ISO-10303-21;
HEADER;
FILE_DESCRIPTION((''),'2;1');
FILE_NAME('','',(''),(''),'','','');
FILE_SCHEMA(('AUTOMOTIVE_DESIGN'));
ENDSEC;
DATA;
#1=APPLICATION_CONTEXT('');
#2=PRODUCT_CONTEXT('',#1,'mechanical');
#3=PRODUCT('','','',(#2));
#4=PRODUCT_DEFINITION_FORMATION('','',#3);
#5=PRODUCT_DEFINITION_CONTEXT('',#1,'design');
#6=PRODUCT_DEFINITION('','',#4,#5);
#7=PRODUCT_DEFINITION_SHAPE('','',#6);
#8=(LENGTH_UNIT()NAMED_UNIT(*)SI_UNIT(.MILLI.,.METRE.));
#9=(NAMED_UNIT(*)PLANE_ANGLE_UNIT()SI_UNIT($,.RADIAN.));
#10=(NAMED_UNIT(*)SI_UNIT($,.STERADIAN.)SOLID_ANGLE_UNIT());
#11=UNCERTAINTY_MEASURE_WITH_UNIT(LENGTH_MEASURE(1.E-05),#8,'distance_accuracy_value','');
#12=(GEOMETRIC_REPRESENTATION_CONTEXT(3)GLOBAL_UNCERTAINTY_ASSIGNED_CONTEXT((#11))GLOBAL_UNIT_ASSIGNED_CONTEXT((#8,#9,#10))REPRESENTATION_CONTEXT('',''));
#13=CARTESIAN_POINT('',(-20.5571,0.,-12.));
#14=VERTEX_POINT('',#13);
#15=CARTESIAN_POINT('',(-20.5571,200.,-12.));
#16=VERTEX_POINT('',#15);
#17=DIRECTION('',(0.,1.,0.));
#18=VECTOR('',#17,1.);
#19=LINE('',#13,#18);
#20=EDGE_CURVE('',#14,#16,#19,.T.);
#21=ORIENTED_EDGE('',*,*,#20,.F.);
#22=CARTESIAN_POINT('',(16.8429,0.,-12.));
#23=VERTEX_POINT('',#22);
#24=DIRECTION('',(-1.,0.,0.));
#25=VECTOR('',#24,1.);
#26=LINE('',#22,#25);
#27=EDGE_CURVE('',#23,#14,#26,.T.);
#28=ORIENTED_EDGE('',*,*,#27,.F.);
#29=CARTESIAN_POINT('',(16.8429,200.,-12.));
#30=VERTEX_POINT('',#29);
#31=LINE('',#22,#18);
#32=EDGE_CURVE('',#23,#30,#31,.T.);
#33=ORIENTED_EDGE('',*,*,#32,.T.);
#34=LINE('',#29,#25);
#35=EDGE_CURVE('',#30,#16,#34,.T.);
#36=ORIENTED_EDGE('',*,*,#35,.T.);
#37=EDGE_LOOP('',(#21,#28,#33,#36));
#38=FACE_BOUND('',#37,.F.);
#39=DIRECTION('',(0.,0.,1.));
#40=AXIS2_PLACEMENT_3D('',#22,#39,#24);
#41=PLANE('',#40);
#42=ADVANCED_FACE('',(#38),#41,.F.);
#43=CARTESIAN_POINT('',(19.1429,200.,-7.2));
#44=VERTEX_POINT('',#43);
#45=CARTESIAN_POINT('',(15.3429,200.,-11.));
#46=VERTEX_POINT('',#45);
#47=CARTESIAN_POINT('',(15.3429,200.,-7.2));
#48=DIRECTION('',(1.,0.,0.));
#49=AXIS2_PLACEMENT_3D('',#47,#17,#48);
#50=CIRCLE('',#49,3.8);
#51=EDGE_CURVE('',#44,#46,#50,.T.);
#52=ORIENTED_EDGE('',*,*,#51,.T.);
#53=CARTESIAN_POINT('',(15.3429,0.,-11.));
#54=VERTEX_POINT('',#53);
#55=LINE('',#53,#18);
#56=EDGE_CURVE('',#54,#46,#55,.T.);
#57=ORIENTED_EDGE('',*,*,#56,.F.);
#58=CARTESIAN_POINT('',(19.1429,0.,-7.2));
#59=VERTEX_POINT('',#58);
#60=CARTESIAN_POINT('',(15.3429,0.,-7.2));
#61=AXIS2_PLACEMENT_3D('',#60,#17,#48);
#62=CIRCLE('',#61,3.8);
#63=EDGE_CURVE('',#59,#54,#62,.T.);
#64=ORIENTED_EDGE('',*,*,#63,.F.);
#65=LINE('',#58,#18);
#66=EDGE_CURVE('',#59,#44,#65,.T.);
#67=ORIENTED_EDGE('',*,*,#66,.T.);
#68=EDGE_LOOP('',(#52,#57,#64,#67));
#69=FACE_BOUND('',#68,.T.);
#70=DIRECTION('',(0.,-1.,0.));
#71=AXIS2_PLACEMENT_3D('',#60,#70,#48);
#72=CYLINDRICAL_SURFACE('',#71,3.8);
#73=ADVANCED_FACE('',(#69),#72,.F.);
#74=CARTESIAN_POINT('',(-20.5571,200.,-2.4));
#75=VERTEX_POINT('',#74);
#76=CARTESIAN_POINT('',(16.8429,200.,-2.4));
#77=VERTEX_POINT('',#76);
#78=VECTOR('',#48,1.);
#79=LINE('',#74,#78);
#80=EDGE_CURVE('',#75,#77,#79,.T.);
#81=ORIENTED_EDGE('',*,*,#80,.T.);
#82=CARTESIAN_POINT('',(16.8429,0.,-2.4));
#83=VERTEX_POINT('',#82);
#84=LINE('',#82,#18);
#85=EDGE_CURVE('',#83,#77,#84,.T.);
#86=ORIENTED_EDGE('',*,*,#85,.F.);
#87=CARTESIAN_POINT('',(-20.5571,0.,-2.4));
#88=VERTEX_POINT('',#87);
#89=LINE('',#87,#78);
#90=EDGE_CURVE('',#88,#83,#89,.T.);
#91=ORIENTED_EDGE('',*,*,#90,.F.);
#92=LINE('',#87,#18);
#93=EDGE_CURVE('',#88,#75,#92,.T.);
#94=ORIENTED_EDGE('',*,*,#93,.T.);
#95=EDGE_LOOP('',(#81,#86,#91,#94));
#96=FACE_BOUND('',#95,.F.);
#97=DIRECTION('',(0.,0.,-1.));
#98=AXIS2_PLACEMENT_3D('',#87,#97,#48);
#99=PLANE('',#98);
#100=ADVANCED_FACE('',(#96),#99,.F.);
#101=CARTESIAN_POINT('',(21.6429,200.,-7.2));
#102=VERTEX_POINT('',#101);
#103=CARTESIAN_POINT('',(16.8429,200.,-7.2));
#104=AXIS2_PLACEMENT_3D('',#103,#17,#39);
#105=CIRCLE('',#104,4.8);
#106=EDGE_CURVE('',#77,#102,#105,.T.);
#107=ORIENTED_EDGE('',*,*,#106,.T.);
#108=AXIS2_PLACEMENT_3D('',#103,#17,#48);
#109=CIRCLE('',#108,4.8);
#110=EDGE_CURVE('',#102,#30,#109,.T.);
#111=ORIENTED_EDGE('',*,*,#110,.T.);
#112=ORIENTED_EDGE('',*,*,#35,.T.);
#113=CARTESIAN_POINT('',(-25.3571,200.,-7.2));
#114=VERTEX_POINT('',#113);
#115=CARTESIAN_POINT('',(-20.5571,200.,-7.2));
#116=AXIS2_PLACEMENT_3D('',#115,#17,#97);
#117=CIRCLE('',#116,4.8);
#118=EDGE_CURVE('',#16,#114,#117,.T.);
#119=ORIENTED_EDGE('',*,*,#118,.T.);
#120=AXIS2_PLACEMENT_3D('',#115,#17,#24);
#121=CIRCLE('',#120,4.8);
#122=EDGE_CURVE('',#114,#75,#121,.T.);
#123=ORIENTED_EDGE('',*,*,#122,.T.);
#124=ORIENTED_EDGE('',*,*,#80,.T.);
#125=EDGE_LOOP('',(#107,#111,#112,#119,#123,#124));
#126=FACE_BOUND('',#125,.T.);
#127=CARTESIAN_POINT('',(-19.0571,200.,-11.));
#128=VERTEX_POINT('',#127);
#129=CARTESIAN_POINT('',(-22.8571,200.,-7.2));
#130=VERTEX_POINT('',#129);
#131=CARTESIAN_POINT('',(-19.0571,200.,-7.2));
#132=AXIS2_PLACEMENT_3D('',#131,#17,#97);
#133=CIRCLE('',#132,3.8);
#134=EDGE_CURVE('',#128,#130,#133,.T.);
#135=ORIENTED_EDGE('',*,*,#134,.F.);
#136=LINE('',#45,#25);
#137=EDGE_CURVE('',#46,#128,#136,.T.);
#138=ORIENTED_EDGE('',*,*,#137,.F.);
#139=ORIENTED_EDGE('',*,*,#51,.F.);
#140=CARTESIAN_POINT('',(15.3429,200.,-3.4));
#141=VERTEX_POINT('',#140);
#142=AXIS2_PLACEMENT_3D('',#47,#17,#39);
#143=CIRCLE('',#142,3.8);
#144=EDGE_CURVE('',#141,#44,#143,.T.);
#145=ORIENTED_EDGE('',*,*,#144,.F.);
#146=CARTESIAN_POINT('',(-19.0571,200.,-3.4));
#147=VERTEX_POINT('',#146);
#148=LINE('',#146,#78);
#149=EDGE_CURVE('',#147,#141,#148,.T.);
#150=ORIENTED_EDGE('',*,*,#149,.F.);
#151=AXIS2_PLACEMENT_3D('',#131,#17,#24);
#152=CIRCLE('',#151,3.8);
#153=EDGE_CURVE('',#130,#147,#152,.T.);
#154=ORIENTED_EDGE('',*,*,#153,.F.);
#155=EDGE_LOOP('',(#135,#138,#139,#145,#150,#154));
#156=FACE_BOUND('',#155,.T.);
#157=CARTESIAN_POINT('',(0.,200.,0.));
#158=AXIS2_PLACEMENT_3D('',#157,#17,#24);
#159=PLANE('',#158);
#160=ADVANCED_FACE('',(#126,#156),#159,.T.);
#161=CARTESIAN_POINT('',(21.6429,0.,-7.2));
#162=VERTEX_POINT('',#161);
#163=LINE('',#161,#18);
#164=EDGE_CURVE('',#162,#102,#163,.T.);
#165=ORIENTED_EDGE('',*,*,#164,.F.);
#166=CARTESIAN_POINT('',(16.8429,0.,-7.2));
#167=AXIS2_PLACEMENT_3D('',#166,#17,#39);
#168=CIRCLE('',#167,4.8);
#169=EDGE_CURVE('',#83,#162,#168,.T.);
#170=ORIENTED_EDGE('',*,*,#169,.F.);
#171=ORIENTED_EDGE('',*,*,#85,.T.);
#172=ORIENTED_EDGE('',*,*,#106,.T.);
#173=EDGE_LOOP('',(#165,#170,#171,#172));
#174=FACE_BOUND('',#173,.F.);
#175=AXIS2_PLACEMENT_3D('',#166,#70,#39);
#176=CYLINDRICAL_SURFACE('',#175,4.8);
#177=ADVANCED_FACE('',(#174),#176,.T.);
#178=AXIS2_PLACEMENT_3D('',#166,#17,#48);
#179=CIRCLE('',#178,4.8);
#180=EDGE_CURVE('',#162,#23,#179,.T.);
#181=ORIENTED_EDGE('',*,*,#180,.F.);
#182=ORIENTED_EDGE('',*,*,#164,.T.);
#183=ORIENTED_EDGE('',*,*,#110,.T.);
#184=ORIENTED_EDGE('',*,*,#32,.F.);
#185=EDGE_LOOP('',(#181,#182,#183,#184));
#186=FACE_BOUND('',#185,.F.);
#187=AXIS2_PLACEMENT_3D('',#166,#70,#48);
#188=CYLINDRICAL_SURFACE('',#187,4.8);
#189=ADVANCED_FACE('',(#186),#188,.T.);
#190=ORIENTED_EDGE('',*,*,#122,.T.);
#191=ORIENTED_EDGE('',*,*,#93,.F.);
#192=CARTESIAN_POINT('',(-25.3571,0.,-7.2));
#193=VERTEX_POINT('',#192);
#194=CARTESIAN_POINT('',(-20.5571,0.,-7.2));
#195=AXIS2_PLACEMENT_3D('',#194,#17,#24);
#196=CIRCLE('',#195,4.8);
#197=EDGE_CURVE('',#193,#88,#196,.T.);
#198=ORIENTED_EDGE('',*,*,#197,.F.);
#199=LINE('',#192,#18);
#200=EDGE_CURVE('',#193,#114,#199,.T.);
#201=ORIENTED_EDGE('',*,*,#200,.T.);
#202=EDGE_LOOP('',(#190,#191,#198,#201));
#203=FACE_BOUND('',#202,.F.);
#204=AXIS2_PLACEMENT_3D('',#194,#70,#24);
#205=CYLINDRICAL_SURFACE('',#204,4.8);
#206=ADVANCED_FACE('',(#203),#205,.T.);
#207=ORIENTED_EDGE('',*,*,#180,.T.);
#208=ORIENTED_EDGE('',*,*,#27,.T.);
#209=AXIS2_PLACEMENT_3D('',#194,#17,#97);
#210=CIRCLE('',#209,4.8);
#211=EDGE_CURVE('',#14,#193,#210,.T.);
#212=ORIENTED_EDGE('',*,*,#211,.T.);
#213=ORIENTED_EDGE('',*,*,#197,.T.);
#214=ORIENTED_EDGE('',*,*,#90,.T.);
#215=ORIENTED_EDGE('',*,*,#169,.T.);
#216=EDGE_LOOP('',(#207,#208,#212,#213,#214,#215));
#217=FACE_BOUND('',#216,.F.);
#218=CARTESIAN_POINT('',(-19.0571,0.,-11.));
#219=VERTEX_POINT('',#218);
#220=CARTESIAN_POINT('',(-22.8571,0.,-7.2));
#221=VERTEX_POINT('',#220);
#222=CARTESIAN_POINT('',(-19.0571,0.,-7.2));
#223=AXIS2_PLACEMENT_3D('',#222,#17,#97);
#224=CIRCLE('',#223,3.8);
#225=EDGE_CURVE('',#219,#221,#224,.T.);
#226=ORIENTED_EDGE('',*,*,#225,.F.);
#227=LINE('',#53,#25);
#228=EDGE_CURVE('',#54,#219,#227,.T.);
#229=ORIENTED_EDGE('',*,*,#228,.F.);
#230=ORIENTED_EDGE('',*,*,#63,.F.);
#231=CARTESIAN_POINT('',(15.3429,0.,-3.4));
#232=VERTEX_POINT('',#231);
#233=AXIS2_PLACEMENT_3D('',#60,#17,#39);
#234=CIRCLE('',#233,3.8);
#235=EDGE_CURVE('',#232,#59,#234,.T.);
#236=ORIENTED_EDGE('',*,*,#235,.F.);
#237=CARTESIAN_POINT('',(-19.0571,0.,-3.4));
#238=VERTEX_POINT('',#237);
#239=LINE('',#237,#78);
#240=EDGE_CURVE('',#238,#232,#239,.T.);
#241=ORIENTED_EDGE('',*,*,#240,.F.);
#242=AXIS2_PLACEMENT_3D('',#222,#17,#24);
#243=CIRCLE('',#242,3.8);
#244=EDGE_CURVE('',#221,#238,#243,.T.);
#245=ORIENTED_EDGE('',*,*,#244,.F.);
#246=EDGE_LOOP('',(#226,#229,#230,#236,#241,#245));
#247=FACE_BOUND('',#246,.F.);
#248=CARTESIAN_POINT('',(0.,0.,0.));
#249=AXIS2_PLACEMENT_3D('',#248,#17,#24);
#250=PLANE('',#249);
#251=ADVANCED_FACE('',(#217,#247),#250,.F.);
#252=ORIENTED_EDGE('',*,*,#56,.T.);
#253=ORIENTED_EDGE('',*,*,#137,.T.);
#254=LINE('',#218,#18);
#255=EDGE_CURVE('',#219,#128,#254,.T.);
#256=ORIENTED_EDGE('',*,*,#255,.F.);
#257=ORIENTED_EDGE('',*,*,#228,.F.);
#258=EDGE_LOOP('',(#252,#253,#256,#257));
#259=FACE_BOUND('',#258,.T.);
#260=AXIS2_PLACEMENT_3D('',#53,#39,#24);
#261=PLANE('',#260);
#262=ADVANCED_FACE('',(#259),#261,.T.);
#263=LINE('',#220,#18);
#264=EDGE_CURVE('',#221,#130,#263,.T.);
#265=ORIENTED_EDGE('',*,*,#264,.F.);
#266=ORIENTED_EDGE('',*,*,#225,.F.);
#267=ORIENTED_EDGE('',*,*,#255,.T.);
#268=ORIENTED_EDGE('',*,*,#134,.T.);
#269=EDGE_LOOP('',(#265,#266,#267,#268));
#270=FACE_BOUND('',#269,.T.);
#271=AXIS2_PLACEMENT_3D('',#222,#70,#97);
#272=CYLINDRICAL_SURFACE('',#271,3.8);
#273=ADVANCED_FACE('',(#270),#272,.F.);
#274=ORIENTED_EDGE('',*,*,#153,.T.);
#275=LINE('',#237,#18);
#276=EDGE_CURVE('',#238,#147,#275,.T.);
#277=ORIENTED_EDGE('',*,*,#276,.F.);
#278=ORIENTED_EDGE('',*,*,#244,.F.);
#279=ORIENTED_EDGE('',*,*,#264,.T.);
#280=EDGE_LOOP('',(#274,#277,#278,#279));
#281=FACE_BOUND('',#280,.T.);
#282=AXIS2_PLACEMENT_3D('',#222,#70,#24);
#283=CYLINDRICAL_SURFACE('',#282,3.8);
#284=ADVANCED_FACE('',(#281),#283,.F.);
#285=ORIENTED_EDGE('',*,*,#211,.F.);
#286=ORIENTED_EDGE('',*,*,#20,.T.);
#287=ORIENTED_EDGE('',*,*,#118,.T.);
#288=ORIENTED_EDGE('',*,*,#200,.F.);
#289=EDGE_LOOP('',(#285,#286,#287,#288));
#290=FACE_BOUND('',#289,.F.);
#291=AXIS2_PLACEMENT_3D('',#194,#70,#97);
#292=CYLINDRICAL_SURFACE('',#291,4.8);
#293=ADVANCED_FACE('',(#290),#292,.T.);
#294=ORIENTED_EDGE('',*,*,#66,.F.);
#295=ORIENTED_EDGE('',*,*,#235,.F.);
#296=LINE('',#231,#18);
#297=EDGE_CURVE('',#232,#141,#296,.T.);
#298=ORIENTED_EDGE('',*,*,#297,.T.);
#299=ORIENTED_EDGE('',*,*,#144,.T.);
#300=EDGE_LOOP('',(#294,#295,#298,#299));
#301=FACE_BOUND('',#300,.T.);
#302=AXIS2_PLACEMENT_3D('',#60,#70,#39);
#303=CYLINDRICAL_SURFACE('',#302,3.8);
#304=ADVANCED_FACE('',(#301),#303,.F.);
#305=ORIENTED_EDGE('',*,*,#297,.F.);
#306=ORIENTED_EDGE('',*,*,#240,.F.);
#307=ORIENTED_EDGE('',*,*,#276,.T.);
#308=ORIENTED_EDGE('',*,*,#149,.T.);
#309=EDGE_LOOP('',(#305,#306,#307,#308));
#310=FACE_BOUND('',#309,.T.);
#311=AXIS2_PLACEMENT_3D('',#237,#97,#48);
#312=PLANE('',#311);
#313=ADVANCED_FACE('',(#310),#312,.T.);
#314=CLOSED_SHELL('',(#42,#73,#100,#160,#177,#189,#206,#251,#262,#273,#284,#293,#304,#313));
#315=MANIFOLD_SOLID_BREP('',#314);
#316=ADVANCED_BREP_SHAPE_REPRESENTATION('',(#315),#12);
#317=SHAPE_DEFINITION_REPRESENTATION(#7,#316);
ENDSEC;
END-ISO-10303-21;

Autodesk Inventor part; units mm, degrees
ref_plane "YZ Plane" through (0, 0, 0) normal (1, 0, 0) x (0, 1, 0)
ref_plane "XZ Plane" through (0, 0, 0) normal (0, 1, 0) x (-1, 0, 0)
sketch "Эскиз1" plane through (0, 0, 0) normal (0, 1, 0) x (-1, 0, 0)
  line L0 (20.5571, -2.4) -> (-16.8429, -2.4)
  line L1 (-21.6429, -7.2) -> (-21.6429, -7.2)
  line L2 (-16.8429, -12) -> (20.5571, -12)
  line L3 (25.3571, -7.2) -> (25.3571, -7.2)
  arc A0 (25.3571, -7.2) -> (20.5571, -2.4) centre (20.5571, -7.2) ccw
  arc A1 (20.5571, -12) -> (25.3571, -7.2) centre (20.5571, -7.2) ccw
  arc A2 (-16.8429, -2.4) -> (-21.6429, -7.2) centre (-16.8429, -7.2) ccw
  arc A3 (-21.6429, -7.2) -> (-16.8429, -12) centre (-16.8429, -7.2) ccw
  line L4 (19.0571, -3.4) -> (-15.3429, -3.4)
  line L5 (-19.1429, -7.2) -> (-19.1429, -7.2)
  line L6 (-15.3429, -11) -> (19.0571, -11)
  line L7 (22.8571, -7.2) -> (22.8571, -7.2)
  arc A4 (22.8571, -7.2) -> (19.0571, -3.4) centre (19.0571, -7.2) ccw
  arc A5 (19.0571, -11) -> (22.8571, -7.2) centre (19.0571, -7.2) ccw
  arc A6 (-19.1429, -7.2) -> (-15.3429, -11) centre (-15.3429, -7.2) ccw
  arc A7 (-15.3429, -3.4) -> (-19.1429, -7.2) centre (-15.3429, -7.2) ccw
  point P0 (0, 0)
  point P1 (25.3571, -2.4)
  point P2 (-21.6429, -2.4)
  dimension "d0" = 47
  dimension "d1" = 9.6
  dimension "d2" = 4.8
  dimension "d3" = 1
  dimension "d4" = 1
  dimension "d5" = 2.5
  dimension "d6" = 2.5
  dimension "d7" = 3.8
extrude "Выдавливание1" add sketch "Эскиз1" along normal blind 200
ref_plane "РабПлоскость1" through (0, 210, 0) normal (0, 1, 0) x (1, 0, 0)
properties part number "isolator"
